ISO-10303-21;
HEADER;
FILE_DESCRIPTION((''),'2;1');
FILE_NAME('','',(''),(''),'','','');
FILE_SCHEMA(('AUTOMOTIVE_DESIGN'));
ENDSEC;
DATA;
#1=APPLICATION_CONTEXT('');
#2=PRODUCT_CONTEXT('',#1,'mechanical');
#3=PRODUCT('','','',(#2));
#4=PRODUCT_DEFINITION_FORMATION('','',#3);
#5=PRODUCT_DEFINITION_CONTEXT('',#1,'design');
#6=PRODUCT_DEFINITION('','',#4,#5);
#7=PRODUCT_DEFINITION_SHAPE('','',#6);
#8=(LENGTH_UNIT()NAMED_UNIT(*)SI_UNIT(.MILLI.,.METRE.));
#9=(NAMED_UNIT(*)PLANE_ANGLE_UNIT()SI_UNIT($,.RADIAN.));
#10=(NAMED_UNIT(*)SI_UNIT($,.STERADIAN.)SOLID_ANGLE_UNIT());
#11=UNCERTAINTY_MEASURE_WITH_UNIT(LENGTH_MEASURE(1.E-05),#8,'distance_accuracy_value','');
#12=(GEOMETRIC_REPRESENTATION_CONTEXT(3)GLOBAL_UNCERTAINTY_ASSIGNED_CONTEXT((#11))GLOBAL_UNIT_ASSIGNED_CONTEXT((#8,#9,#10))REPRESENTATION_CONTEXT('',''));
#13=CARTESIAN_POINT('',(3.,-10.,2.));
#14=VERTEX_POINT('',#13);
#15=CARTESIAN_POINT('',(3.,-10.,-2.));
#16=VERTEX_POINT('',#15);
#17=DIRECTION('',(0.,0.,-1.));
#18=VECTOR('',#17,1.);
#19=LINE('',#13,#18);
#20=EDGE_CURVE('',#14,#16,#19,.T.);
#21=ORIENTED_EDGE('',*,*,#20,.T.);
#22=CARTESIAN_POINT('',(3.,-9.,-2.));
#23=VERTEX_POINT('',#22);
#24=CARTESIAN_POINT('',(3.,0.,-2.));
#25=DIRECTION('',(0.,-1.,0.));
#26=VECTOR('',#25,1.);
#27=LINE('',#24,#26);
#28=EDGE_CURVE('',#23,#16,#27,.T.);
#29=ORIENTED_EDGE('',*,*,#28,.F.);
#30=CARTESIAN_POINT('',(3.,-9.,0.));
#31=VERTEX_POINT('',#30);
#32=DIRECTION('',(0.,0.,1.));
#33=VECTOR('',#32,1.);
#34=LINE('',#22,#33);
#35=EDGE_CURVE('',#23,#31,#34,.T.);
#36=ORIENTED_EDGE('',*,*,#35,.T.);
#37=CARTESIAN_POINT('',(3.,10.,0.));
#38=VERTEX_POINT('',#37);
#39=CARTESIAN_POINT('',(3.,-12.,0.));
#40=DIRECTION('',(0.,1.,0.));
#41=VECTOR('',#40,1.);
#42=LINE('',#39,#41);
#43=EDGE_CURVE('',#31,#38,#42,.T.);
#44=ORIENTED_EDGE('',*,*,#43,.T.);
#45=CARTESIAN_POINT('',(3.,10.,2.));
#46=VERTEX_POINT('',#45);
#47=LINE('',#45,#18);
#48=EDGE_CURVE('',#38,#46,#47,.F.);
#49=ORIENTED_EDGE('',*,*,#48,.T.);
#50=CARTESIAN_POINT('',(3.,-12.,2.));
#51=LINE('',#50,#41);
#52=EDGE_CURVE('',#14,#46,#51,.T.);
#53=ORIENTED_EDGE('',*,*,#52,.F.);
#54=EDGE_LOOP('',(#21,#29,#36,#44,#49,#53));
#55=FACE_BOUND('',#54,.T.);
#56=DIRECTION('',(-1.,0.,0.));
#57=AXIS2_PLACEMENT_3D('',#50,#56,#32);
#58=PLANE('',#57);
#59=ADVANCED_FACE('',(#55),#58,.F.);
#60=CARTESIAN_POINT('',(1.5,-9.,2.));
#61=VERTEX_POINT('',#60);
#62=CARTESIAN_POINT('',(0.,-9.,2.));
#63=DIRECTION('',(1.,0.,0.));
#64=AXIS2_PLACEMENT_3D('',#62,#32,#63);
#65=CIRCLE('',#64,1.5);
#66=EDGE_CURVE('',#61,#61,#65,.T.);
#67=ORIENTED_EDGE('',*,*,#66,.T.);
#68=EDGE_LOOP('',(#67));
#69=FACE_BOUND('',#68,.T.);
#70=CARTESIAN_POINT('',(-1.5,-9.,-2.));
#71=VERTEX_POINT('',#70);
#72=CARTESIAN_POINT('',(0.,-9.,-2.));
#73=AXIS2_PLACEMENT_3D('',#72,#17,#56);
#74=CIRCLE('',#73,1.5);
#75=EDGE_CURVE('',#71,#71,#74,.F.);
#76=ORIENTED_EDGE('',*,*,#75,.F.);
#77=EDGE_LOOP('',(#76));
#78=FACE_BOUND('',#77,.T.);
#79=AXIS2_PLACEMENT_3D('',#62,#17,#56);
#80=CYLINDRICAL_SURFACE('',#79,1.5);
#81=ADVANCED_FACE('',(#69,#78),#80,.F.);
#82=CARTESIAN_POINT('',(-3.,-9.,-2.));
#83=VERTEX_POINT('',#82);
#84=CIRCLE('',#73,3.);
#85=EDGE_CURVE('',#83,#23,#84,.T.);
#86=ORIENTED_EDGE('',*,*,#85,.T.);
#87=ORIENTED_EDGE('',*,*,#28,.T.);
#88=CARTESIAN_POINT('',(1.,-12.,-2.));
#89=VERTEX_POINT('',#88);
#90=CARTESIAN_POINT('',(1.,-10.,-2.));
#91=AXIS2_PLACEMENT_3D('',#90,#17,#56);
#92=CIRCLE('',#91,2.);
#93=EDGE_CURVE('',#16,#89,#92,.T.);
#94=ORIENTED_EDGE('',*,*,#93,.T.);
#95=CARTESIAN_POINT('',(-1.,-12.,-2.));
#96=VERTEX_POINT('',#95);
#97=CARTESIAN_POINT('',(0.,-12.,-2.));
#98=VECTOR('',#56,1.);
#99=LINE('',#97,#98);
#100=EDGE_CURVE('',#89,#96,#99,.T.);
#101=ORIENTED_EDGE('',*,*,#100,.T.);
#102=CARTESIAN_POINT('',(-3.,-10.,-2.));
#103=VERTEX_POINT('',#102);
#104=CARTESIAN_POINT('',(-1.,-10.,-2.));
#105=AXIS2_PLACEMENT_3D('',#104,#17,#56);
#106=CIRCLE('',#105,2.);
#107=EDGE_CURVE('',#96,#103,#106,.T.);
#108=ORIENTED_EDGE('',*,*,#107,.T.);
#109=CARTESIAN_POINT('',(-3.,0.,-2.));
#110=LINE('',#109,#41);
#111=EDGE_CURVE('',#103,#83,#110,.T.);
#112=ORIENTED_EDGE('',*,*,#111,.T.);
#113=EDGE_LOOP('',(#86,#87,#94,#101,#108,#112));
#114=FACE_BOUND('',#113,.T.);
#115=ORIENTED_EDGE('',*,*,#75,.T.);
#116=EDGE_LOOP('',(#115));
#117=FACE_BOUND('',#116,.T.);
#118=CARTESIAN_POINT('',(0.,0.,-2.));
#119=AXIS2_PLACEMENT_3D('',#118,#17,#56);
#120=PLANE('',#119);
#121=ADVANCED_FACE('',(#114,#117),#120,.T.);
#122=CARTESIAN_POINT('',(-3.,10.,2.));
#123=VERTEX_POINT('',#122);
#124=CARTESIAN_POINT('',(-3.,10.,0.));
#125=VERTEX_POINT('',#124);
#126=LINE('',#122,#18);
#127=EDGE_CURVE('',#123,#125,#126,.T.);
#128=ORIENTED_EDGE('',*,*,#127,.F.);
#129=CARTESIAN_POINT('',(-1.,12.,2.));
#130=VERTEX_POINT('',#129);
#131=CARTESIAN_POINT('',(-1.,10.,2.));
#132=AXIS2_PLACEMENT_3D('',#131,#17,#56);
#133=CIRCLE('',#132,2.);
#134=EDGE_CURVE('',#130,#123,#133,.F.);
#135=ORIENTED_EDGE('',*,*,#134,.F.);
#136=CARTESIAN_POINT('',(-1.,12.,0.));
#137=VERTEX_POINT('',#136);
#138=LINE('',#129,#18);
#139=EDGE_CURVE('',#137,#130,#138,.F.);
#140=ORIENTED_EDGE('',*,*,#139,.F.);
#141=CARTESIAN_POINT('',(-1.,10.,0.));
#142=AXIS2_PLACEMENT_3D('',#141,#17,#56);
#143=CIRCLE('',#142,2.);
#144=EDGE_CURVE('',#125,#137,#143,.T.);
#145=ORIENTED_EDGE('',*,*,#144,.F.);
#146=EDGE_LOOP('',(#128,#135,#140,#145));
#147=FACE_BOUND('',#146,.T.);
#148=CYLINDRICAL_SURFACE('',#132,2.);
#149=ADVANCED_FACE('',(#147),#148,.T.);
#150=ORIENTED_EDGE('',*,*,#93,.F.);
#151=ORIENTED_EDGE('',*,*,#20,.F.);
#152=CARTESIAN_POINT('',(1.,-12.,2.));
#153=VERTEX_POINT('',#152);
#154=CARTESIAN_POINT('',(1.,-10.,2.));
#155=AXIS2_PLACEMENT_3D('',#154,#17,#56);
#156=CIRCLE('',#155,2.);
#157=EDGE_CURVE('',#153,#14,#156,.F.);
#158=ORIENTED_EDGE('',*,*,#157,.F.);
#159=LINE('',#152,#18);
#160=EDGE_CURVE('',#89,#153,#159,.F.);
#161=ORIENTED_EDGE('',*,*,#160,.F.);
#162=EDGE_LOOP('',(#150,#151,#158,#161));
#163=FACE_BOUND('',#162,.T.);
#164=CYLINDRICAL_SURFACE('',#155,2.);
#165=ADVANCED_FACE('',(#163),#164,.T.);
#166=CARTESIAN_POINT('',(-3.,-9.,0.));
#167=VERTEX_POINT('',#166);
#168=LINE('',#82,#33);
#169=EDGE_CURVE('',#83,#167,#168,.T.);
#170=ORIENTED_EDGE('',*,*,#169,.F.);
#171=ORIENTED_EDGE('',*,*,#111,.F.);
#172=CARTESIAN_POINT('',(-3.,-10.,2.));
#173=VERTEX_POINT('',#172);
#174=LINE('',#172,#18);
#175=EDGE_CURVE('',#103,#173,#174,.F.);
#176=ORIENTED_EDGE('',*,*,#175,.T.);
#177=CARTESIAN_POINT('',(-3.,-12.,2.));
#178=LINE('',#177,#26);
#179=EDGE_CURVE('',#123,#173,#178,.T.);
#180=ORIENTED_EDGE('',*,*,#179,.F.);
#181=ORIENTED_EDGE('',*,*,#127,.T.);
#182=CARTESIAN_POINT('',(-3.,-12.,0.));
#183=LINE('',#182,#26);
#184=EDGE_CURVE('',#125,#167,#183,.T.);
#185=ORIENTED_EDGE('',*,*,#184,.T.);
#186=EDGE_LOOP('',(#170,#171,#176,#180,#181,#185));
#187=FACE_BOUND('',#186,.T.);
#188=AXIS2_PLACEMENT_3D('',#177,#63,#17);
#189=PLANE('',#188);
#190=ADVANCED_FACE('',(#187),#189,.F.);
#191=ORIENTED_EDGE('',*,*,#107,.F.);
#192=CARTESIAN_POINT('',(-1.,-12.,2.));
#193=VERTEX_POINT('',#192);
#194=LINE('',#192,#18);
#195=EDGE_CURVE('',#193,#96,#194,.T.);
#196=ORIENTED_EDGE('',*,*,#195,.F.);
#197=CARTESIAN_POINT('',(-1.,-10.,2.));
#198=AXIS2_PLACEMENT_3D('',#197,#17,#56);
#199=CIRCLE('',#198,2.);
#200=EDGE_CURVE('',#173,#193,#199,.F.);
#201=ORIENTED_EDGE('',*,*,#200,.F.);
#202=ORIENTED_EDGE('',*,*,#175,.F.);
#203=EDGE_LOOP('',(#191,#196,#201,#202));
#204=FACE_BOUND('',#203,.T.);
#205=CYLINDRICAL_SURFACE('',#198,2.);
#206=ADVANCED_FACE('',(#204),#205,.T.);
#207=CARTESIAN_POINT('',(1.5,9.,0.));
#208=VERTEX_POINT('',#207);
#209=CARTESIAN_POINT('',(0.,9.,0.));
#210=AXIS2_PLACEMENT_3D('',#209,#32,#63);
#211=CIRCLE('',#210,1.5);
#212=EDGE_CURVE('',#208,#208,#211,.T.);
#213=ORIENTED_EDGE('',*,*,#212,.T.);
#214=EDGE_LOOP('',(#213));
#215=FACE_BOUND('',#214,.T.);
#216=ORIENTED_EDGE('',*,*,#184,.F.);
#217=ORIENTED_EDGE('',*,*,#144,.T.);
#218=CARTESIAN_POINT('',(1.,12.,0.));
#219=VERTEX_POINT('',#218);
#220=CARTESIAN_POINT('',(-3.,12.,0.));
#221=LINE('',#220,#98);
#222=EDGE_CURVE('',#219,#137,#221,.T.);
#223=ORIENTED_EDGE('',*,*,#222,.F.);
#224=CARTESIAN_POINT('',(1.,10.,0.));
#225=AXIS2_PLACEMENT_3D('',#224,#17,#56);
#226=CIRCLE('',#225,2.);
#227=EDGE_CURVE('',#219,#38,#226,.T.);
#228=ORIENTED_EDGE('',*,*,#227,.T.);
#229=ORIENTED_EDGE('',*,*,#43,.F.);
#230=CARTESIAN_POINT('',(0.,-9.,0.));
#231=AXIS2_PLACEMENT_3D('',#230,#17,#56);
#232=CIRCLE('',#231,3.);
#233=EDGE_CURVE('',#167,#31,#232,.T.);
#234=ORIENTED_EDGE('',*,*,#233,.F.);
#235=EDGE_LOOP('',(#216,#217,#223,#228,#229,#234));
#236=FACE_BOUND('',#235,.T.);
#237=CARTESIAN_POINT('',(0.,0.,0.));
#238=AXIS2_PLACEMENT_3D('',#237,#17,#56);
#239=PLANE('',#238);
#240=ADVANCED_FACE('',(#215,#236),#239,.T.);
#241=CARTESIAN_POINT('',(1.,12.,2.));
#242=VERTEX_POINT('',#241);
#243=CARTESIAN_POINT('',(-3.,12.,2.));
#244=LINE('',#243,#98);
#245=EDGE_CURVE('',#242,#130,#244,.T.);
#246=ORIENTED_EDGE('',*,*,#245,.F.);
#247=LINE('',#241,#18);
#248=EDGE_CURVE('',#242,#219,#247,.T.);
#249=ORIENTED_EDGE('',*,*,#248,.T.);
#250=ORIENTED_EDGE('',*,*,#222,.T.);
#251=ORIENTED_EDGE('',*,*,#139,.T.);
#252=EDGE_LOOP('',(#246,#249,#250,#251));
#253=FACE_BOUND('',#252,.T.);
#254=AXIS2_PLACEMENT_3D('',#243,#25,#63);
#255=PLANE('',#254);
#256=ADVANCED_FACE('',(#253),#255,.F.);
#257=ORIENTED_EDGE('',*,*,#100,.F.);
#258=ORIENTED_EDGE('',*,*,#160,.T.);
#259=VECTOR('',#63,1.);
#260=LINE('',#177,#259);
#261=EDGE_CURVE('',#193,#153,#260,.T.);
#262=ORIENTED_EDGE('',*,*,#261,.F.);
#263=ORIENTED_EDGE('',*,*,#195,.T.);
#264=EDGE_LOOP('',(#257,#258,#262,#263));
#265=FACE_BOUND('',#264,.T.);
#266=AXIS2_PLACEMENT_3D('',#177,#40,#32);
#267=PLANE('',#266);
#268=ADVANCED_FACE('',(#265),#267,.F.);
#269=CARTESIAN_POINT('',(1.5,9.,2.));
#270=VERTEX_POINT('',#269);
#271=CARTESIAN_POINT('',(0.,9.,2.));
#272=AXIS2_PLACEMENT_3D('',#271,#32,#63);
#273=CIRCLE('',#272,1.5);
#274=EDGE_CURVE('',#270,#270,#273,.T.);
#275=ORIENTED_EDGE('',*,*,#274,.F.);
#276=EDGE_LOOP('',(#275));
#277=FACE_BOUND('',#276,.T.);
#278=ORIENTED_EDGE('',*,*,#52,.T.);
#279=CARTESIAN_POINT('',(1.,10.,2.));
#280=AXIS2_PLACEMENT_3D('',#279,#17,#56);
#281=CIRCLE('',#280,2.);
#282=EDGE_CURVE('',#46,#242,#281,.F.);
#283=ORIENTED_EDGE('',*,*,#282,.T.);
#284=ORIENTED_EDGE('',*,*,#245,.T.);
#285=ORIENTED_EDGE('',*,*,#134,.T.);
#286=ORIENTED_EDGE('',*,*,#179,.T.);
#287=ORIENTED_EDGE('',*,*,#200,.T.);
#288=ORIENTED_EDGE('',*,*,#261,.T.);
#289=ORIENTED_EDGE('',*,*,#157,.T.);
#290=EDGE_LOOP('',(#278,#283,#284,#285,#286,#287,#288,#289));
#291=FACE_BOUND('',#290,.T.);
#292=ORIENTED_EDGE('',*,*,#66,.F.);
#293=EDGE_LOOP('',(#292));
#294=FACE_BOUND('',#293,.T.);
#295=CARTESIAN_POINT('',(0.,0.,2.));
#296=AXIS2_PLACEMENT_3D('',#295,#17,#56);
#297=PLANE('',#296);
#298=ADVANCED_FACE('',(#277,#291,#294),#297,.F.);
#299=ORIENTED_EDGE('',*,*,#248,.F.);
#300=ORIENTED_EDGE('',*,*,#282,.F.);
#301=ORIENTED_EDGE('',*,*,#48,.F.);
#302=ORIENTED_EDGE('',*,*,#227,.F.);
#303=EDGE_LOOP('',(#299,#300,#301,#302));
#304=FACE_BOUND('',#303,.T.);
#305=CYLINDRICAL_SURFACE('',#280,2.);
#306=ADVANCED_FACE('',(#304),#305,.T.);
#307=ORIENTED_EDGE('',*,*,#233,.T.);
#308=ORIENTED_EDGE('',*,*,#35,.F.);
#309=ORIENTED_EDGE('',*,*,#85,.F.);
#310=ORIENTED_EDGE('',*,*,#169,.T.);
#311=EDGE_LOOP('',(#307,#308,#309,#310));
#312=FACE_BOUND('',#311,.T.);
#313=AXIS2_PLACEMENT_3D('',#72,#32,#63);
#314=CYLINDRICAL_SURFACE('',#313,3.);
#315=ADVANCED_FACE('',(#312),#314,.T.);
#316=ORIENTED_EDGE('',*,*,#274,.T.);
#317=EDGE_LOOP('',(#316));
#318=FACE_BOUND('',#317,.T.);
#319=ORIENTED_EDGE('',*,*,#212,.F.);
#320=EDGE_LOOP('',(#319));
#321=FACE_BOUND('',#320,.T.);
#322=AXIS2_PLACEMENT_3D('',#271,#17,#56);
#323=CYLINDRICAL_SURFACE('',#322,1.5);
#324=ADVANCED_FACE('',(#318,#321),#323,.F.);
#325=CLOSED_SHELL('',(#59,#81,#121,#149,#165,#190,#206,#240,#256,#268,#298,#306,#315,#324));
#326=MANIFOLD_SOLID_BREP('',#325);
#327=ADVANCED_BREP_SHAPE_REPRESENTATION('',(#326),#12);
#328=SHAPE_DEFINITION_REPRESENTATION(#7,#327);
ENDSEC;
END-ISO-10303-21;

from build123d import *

# Parameters (mm, degrees)
ESQUISSE2_W        = 6
ESQUISSE2_H        = 24
ESQUISSE2_R        = 1.5
BOSS_EXTRU_2_DEPTH = 2
CONG_2_R           = 2
ESQUISSE3_R        = 3
ESQUISSE3_R_2      = 1.5
BOSS_EXTRU_3_DEPTH = 2


with BuildPart() as part:
    # Esquisse2 → Boss.-Extru.2 (new body)
    with BuildSketch(Plane.XY):
        Rectangle(ESQUISSE2_W, ESQUISSE2_H)
        with Locations((0, 9)):
            Circle(ESQUISSE2_R, mode=Mode.SUBTRACT)
        with Locations((0, -9)):
            Circle(ESQUISSE2_R, mode=Mode.SUBTRACT)
    extrude(amount=BOSS_EXTRU_2_DEPTH)

    # Congé2
    cong_2_edges = [part.edges().sort_by_distance(p)[0] for p in [
        (3, -12, 1),
        (-3, -12, 1),
        (-3, 12, 1),
        (3, 12, 1),
    ]]
    fillet(cong_2_edges, radius=CONG_2_R)

    # Esquisse3 → Boss.-Extru.3 (add)
    # profile 1 of 3: a face of its own
    with BuildSketch(Plane(origin=(0, 0, 0), x_dir=(-1, 0, 0), z_dir=(0, 0, -1))):
        with Locations((0, -9)):
            Circle(ESQUISSE3_R)
        with Locations((0, -9)):
            Circle(ESQUISSE3_R_2, mode=Mode.SUBTRACT)
    # profile 2 of 3: a face of its own
    with BuildSketch(Plane(origin=(0, 0, 0), x_dir=(-1, 0, 0), z_dir=(0, 0, -1))):
        with BuildLine():
            ThreePointArc((3, -9), (2.121320344, -11.121320344), (0, -12))
            Line((0, -12), (1, -12))
            ThreePointArc((1, -12), (2.414213562, -11.414213562), (3, -10))
            Line((3, -10), (3, -9))
        make_face()
    # profile 3 of 3: a face of its own
    with BuildSketch(Plane(origin=(0, 0, 0), x_dir=(-1, 0, 0), z_dir=(0, 0, -1))):
        with BuildLine():
            ThreePointArc((-3, -10), (-2.414213562, -11.414213562), (-1, -12))
            Line((-1, -12), (0, -12))
            ThreePointArc((0, -12), (-2.121320344, -11.121320344), (-3, -9))
            Line((-3, -9), (-3, -10))
        make_face()
    extrude(amount=BOSS_EXTRU_3_DEPTH)


solid = part.part
